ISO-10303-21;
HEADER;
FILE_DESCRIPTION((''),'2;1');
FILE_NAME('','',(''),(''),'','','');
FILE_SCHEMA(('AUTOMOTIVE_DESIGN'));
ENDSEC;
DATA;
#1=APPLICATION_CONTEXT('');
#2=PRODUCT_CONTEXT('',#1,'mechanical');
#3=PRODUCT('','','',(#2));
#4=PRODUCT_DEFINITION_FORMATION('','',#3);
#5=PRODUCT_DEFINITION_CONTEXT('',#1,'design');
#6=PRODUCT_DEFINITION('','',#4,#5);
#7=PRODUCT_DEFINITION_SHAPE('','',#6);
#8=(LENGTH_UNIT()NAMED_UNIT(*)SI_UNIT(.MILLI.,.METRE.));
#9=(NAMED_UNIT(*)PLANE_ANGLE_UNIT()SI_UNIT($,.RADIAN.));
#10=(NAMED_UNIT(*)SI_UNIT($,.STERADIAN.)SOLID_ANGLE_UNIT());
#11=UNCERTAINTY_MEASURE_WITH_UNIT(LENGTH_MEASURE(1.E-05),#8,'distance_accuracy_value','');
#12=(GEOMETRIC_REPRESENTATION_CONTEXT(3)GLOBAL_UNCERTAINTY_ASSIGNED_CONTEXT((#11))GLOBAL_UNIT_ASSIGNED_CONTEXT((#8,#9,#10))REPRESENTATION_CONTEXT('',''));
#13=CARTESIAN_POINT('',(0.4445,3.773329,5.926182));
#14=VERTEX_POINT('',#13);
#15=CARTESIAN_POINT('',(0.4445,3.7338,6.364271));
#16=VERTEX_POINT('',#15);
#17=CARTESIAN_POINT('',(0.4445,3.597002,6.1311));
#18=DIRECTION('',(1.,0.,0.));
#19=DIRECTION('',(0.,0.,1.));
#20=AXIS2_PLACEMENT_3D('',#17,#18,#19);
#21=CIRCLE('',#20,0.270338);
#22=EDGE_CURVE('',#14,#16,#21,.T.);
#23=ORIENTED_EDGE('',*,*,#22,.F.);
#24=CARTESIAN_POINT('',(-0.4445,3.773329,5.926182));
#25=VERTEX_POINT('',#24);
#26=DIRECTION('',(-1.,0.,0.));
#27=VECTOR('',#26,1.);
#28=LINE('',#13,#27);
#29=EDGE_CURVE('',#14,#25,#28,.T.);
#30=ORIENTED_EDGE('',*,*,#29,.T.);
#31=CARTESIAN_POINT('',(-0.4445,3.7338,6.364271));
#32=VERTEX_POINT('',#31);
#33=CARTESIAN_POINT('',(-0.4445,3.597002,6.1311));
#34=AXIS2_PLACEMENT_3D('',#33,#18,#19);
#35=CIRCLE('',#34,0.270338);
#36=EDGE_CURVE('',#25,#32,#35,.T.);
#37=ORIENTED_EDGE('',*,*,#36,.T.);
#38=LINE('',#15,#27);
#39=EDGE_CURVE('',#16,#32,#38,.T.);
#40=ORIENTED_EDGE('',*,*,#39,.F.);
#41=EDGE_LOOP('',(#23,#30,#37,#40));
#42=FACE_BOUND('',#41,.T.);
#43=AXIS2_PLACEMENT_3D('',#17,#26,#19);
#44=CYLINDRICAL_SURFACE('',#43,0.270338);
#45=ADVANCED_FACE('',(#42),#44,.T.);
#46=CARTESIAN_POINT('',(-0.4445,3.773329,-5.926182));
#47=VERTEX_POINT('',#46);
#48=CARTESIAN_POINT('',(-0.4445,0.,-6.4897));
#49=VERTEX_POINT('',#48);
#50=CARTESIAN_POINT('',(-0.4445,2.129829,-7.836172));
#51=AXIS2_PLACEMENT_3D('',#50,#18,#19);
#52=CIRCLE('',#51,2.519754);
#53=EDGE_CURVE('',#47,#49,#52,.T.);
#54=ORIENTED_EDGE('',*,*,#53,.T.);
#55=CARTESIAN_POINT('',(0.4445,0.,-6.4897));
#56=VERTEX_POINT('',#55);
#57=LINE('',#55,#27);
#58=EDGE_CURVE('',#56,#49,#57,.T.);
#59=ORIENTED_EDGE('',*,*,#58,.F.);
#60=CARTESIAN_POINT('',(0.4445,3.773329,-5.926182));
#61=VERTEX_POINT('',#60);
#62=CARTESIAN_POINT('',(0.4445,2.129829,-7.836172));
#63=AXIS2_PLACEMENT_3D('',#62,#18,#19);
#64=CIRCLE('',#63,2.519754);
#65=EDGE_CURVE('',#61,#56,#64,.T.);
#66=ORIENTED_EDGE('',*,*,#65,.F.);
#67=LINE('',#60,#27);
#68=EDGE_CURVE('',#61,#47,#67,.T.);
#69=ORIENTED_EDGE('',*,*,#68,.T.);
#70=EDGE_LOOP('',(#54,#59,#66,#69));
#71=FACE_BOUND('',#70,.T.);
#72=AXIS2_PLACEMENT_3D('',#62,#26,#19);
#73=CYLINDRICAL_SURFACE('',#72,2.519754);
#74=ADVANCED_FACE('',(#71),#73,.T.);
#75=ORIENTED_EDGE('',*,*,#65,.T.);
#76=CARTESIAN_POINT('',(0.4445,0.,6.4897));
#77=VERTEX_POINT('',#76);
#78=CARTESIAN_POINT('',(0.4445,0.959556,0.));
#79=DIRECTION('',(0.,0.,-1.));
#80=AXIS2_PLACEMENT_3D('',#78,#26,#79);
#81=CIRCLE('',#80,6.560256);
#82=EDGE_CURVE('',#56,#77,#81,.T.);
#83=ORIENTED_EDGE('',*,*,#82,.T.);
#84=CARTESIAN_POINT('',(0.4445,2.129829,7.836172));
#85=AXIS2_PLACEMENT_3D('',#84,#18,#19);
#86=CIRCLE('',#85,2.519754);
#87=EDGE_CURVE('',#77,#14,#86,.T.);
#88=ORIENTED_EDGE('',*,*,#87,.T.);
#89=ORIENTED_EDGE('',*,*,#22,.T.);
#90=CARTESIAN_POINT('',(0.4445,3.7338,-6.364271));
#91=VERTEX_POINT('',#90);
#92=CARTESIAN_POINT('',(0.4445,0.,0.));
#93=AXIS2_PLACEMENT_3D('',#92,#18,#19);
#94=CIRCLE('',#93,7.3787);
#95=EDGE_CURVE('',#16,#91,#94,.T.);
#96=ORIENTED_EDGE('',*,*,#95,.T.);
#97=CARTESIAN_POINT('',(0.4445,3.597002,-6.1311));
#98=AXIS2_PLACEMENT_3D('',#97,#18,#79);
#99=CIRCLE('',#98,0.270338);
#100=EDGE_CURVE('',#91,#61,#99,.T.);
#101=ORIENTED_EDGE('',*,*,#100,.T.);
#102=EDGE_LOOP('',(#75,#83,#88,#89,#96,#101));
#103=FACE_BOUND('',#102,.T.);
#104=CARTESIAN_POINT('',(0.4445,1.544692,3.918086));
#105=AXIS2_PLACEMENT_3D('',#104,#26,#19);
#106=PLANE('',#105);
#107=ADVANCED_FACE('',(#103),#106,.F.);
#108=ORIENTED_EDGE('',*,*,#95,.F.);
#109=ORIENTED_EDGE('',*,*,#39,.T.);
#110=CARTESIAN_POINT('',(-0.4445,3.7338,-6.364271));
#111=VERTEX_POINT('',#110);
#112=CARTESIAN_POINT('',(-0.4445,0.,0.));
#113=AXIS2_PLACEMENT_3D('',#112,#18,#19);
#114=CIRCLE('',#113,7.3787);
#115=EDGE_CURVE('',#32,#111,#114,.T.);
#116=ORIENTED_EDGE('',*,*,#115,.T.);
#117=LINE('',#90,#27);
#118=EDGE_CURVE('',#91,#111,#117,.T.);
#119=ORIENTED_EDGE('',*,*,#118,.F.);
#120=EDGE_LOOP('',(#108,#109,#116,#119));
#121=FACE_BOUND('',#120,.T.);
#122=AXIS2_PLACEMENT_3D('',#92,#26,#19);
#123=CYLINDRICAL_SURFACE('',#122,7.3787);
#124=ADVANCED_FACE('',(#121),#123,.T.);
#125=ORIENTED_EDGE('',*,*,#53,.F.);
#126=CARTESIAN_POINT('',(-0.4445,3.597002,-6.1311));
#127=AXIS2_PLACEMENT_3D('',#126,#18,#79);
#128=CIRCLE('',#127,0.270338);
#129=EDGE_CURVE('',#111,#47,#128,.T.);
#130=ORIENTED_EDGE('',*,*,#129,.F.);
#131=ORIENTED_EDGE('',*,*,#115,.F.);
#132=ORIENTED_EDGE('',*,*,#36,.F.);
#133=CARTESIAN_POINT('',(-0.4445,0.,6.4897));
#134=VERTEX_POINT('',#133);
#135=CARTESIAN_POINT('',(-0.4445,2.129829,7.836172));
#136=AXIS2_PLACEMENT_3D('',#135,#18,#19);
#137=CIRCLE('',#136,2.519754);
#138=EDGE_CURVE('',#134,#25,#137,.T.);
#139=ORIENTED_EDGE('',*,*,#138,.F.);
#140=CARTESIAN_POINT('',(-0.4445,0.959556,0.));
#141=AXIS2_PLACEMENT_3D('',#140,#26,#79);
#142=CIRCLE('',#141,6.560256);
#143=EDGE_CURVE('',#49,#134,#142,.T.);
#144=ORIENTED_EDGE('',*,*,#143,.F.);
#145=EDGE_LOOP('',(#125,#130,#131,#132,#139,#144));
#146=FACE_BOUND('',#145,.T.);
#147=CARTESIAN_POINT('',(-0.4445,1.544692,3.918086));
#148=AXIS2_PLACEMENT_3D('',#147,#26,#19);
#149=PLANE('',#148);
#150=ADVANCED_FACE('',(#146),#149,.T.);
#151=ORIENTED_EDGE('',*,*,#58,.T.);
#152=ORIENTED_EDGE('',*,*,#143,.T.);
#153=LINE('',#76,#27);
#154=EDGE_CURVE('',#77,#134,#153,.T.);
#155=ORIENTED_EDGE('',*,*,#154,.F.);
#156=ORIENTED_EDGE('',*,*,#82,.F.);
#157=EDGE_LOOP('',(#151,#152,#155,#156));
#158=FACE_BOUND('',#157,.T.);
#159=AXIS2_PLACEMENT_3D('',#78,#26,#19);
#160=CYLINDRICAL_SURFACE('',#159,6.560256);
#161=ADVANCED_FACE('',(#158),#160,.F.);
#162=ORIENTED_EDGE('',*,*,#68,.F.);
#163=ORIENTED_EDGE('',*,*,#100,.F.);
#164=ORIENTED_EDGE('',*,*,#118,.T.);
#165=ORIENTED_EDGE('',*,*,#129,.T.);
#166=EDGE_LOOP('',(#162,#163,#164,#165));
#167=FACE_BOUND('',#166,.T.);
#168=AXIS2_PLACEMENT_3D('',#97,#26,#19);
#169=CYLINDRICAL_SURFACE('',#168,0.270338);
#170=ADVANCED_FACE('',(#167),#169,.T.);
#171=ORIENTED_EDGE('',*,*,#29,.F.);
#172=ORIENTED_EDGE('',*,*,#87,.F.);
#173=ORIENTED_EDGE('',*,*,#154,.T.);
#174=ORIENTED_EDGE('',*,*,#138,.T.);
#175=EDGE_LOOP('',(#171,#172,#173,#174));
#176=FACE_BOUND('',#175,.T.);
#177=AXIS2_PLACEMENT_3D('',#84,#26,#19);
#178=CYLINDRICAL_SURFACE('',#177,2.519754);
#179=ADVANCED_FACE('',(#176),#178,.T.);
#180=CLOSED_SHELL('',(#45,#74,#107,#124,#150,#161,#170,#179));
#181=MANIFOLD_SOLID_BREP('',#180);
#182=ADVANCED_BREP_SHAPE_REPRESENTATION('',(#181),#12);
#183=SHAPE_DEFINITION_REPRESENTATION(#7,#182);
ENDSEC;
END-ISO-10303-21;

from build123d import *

# Parameters (mm, degrees)
EXTRUDE1_DEPTH = 0.4445


with BuildPart() as part:
    # Sketch1 → Extrude1 (new body, symmetric)
    with BuildSketch(Plane(origin=(0, 0, 0), x_dir=(0, 0, -1), z_dir=(1, 0, 0))):
        with BuildLine():
            ThreePointArc((-6.4897, 0), (0, -5.6007), (6.4897, 0))
            ThreePointArc((6.4897, 0), (5.344056459, 1.757650116), (5.926181677, 3.773329477))
            ThreePointArc((5.926181677, 3.773329477), (6.155394019, 3.866246614), (6.364271463, 3.7338))
            ThreePointArc((6.364271463, 3.7338), (0, -7.3787), (-6.364271463, 3.7338))
            ThreePointArc((-6.364271463, 3.7338), (-6.155394019, 3.866246614), (-5.926181677, 3.773329477))
            ThreePointArc((-5.926181677, 3.773329477), (-5.344056459, 1.757650116), (-6.4897, 0))
        make_face()
    extrude(amount=EXTRUDE1_DEPTH, both=True)


solid = part.part
